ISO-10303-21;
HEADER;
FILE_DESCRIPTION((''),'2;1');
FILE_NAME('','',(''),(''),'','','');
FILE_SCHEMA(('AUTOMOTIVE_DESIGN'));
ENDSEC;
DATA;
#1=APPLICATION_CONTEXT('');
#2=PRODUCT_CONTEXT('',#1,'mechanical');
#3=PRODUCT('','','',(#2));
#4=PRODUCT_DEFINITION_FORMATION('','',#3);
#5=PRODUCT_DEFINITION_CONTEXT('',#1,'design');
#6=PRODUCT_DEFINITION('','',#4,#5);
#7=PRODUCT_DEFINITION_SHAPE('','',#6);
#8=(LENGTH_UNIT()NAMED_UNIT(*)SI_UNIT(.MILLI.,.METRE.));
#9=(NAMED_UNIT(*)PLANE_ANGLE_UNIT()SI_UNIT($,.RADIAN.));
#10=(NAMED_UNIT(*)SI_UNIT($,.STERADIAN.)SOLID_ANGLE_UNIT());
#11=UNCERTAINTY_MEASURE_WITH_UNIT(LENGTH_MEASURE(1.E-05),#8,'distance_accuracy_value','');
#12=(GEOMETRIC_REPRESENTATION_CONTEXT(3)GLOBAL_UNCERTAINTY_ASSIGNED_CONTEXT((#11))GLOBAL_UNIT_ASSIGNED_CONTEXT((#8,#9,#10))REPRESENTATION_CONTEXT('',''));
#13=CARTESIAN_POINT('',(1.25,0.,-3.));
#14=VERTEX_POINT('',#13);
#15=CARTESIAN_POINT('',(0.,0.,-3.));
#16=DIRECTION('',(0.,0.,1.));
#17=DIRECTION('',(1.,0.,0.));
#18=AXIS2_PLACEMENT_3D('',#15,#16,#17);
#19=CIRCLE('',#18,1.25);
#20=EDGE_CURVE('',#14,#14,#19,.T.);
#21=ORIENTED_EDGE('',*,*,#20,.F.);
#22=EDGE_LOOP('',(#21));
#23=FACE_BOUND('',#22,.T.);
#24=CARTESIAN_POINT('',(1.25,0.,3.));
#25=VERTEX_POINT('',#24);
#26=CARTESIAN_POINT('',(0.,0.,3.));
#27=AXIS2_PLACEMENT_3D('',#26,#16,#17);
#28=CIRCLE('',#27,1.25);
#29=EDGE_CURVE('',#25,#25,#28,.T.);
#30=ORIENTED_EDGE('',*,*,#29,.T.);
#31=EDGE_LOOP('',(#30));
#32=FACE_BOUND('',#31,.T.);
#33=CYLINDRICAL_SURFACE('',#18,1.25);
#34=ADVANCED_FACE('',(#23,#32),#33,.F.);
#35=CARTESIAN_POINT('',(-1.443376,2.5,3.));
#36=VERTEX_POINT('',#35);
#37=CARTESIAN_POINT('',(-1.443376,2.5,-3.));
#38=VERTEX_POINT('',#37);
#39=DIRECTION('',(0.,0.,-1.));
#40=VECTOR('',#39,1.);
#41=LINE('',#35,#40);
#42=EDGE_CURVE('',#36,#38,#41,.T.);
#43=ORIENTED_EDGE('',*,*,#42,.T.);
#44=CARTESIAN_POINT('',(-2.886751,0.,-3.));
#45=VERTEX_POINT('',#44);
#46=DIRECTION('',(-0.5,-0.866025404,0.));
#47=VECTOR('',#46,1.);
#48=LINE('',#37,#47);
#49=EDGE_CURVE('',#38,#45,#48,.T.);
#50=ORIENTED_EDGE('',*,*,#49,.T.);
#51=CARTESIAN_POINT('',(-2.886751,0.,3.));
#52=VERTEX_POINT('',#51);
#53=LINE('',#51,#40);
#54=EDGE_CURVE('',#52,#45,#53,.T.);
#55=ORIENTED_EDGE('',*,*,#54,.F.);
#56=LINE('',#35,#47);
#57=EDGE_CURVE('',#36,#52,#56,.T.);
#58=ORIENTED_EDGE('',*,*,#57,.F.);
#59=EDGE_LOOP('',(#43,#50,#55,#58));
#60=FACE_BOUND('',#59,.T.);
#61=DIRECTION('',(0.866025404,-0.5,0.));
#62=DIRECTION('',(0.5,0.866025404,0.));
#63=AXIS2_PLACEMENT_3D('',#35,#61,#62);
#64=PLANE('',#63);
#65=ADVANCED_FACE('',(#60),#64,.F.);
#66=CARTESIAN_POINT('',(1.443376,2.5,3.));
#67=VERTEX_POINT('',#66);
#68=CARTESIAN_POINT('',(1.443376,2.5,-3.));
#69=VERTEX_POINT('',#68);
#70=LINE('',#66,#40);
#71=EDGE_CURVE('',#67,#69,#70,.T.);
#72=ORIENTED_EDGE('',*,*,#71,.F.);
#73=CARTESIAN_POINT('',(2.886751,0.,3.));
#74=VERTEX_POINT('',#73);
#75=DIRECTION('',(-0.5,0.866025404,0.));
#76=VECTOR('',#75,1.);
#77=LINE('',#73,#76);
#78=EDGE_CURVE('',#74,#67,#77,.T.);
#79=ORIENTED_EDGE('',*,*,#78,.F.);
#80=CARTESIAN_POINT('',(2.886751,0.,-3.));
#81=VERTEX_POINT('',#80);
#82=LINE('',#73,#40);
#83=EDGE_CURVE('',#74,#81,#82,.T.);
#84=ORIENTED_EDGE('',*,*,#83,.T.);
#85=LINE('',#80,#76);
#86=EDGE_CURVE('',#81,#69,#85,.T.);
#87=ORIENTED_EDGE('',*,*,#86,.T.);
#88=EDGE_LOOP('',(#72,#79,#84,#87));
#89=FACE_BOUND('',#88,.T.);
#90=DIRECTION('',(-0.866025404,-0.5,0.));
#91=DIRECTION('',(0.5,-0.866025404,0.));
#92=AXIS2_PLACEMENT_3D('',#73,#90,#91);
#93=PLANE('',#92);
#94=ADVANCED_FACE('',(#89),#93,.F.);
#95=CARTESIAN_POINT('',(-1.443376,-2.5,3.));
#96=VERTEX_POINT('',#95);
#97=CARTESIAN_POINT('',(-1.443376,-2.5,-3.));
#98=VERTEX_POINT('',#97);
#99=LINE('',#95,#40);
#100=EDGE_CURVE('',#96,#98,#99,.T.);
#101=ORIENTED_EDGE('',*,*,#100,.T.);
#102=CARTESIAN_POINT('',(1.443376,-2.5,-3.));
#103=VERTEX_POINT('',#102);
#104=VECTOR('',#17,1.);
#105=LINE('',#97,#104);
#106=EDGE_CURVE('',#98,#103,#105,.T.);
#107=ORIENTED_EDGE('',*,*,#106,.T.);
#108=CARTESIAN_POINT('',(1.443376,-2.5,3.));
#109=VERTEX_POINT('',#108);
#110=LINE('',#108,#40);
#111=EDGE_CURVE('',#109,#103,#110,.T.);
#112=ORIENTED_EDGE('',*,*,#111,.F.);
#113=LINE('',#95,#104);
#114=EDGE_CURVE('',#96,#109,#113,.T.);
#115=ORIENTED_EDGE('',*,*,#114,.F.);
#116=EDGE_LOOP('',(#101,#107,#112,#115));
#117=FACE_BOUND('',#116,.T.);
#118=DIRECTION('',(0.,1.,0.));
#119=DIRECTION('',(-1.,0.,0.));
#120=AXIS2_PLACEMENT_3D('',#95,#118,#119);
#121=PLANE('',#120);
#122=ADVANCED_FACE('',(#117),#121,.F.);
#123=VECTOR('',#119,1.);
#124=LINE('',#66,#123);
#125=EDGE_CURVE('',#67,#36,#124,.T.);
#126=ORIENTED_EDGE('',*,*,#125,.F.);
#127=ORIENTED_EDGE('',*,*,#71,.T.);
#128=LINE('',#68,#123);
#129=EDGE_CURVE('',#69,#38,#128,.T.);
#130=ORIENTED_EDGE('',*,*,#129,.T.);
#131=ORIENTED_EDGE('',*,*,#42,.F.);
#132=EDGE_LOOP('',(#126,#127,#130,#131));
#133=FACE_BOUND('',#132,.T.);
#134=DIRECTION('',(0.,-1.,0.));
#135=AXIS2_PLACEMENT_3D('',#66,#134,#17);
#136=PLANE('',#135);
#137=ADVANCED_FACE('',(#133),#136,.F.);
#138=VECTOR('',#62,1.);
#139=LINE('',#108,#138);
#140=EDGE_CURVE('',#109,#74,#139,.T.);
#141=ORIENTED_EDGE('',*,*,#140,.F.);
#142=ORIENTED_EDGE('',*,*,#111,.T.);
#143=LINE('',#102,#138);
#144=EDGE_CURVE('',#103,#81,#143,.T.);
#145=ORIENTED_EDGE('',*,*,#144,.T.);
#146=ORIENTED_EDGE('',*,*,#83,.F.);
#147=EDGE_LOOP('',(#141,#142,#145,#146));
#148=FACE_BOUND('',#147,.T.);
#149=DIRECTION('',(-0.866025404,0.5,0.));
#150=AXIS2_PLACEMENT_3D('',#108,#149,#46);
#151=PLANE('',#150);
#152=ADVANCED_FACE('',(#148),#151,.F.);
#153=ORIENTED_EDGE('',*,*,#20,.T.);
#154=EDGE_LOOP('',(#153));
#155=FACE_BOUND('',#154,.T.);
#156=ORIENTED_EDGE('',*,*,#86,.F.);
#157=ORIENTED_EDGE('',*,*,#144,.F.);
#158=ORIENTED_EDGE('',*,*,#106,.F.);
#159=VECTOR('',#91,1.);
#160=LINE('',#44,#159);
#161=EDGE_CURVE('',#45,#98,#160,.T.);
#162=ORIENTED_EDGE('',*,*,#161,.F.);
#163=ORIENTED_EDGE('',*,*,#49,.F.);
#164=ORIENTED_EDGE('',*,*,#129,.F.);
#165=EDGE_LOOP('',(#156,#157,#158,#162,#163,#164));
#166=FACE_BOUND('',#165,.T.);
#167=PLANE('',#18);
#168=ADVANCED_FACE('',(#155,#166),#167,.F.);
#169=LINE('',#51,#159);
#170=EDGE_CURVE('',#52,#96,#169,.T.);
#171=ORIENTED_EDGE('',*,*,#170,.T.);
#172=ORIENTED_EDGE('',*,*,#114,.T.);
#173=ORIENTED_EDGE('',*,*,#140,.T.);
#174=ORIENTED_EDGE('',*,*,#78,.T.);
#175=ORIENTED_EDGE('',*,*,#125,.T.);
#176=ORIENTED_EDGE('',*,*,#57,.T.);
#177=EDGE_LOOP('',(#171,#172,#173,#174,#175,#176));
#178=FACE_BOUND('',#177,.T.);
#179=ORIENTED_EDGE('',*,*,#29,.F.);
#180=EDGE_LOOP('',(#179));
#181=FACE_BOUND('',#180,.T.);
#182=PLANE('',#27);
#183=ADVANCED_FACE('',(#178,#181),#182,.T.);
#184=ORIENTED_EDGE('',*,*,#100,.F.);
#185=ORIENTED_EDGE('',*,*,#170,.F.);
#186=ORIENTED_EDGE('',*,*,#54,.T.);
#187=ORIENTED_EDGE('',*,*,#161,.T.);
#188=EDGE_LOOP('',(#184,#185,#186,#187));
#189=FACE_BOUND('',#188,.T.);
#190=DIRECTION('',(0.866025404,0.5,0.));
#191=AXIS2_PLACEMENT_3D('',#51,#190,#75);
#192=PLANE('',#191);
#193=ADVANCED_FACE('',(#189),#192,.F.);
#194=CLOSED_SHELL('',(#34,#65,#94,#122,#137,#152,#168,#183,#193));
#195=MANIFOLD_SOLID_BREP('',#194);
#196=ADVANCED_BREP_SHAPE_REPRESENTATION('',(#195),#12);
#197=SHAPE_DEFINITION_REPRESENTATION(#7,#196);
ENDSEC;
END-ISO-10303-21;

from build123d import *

# Parameters (mm, degrees)
ESTRUSIONE_ESTRUSIONE1_DEPTH = 3
SCHIZZO2_R                   = 1.25
TAGLIO_ESTRUSIONE1_DEPTH     = 7


with BuildPart() as part:
    # Schizzo1 → Estrusione-Estrusione1 (new body, symmetric)
    with BuildSketch(Plane.XY):
        Polygon((1.443375673, 2.5), (-1.443375673, 2.5), (-2.886751346, 0), (-1.443375673, -2.5), (1.443375673, -2.5), (2.886751346, 0), align=None)
    extrude(amount=ESTRUSIONE_ESTRUSIONE1_DEPTH, both=True)

    # Schizzo2 → Taglio-Estrusione1 (cut, through all)
    with BuildSketch(Plane.XY.offset(3)):
        Circle(SCHIZZO2_R)
    extrude(amount=-TAGLIO_ESTRUSIONE1_DEPTH, mode=Mode.SUBTRACT)


solid = part.part
